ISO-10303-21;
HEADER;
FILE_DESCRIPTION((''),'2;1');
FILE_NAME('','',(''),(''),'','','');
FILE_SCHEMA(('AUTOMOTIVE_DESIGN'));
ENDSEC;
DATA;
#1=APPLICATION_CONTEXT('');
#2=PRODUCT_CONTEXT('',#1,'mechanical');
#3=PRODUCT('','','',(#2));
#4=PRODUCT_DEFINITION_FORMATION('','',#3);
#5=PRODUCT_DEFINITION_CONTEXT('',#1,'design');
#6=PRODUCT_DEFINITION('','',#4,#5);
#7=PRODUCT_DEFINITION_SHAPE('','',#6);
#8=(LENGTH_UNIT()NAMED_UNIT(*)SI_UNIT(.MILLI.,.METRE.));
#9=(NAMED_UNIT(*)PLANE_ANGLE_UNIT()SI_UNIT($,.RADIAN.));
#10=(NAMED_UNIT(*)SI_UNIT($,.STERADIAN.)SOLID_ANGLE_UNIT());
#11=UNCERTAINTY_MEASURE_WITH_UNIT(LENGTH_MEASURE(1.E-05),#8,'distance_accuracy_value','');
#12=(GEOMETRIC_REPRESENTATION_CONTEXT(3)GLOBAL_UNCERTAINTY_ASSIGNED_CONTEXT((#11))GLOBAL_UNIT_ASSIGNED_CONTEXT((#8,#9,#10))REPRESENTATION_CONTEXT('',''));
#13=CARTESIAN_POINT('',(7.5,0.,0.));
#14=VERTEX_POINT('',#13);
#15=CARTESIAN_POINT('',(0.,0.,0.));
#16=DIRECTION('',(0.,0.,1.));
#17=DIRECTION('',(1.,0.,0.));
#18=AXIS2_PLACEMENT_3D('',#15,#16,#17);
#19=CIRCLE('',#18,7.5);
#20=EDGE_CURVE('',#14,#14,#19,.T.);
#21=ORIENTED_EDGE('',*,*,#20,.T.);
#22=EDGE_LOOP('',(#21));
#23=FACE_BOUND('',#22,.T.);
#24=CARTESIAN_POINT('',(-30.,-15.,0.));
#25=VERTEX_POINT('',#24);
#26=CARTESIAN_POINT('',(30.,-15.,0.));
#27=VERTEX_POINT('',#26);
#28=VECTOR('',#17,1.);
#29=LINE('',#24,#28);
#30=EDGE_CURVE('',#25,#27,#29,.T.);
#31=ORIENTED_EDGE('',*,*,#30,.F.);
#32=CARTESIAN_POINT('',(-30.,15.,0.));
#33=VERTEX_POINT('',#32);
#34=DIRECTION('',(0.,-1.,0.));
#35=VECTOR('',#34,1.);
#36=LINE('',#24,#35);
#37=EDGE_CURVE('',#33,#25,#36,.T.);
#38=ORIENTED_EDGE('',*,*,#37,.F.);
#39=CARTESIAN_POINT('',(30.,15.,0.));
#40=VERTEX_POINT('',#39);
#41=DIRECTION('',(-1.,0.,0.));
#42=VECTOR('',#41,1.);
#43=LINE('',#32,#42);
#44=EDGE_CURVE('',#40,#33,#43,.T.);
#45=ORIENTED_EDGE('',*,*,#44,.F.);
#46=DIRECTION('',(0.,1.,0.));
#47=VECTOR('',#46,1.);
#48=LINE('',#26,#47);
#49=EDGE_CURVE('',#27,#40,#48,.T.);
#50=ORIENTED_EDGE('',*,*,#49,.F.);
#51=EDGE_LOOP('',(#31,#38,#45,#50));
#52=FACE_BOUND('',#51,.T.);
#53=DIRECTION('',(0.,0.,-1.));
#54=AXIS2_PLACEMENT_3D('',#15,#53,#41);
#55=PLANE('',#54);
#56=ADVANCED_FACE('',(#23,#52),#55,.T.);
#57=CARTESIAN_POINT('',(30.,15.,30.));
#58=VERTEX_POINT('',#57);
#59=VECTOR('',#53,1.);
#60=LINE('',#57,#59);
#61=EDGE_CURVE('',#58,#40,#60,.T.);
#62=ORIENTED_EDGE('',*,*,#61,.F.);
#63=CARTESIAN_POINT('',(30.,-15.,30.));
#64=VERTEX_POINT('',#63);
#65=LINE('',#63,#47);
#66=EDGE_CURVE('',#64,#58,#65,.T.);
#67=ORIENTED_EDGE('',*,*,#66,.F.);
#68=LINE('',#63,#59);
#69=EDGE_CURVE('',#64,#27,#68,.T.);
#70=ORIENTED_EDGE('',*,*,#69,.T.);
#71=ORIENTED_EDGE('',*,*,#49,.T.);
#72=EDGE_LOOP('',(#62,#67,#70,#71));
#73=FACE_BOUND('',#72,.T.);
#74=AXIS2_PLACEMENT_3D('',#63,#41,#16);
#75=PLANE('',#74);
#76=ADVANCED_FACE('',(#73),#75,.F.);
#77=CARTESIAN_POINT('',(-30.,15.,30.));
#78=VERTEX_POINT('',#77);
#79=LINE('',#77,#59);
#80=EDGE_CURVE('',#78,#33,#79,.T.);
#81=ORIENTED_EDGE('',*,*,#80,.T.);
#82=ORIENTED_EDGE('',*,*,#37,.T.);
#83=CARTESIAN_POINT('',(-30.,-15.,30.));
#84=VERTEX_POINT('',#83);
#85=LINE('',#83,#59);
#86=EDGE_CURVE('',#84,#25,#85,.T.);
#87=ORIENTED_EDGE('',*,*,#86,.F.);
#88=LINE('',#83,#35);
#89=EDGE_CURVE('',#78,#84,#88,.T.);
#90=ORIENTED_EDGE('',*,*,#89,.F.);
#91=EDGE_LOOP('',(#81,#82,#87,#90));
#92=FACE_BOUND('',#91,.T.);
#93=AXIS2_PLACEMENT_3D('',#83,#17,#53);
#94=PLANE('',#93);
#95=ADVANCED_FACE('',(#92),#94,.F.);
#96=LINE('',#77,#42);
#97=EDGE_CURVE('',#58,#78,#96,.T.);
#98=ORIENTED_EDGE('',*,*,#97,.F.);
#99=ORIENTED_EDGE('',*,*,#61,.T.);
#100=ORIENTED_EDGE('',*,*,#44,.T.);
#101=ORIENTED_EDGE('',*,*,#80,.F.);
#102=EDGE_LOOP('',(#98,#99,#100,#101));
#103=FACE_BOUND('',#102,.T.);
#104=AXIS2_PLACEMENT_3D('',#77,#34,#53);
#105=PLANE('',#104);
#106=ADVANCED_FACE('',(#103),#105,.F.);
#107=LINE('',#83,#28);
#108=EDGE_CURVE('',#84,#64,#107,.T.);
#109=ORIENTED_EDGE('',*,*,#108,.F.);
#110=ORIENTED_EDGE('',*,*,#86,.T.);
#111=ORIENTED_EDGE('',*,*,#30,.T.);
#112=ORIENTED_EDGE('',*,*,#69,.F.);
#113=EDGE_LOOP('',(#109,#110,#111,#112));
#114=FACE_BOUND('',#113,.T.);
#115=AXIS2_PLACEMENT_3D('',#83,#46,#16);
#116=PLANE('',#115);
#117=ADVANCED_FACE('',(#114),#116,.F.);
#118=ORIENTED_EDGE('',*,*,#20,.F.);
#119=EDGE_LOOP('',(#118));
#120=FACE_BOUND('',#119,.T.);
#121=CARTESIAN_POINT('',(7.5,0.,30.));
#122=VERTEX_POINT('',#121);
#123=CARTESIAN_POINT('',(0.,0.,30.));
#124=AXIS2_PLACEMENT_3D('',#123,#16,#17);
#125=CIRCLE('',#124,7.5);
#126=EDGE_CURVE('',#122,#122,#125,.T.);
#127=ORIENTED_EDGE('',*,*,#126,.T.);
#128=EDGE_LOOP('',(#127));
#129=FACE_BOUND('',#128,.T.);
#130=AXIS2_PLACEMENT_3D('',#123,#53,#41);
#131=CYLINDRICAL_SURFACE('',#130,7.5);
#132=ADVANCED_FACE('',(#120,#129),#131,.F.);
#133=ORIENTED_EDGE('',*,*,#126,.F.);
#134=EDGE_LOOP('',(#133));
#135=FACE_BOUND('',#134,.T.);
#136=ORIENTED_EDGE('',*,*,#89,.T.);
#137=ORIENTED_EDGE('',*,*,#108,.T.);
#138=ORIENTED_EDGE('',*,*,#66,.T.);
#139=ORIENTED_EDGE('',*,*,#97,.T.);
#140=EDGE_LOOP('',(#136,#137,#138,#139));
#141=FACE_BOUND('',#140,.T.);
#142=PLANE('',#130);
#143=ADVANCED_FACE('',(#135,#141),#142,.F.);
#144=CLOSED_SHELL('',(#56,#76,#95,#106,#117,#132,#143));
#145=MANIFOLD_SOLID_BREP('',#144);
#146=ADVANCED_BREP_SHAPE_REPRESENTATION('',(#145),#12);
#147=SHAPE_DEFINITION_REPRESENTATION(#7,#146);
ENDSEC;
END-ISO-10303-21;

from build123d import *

# Parameters (mm, degrees)
SKETCH1_W           = 60
SKETCH1_H           = 30
SKETCH1_R           = 7.5
BOSS_EXTRUDE1_DEPTH = 30


with BuildPart() as part:
    # Sketch1 → Boss-Extrude1 (new body)
    with BuildSketch(Plane.XY):
        Rectangle(SKETCH1_W, SKETCH1_H)
        Circle(SKETCH1_R, mode=Mode.SUBTRACT)
    extrude(amount=BOSS_EXTRUDE1_DEPTH)


solid = part.part
